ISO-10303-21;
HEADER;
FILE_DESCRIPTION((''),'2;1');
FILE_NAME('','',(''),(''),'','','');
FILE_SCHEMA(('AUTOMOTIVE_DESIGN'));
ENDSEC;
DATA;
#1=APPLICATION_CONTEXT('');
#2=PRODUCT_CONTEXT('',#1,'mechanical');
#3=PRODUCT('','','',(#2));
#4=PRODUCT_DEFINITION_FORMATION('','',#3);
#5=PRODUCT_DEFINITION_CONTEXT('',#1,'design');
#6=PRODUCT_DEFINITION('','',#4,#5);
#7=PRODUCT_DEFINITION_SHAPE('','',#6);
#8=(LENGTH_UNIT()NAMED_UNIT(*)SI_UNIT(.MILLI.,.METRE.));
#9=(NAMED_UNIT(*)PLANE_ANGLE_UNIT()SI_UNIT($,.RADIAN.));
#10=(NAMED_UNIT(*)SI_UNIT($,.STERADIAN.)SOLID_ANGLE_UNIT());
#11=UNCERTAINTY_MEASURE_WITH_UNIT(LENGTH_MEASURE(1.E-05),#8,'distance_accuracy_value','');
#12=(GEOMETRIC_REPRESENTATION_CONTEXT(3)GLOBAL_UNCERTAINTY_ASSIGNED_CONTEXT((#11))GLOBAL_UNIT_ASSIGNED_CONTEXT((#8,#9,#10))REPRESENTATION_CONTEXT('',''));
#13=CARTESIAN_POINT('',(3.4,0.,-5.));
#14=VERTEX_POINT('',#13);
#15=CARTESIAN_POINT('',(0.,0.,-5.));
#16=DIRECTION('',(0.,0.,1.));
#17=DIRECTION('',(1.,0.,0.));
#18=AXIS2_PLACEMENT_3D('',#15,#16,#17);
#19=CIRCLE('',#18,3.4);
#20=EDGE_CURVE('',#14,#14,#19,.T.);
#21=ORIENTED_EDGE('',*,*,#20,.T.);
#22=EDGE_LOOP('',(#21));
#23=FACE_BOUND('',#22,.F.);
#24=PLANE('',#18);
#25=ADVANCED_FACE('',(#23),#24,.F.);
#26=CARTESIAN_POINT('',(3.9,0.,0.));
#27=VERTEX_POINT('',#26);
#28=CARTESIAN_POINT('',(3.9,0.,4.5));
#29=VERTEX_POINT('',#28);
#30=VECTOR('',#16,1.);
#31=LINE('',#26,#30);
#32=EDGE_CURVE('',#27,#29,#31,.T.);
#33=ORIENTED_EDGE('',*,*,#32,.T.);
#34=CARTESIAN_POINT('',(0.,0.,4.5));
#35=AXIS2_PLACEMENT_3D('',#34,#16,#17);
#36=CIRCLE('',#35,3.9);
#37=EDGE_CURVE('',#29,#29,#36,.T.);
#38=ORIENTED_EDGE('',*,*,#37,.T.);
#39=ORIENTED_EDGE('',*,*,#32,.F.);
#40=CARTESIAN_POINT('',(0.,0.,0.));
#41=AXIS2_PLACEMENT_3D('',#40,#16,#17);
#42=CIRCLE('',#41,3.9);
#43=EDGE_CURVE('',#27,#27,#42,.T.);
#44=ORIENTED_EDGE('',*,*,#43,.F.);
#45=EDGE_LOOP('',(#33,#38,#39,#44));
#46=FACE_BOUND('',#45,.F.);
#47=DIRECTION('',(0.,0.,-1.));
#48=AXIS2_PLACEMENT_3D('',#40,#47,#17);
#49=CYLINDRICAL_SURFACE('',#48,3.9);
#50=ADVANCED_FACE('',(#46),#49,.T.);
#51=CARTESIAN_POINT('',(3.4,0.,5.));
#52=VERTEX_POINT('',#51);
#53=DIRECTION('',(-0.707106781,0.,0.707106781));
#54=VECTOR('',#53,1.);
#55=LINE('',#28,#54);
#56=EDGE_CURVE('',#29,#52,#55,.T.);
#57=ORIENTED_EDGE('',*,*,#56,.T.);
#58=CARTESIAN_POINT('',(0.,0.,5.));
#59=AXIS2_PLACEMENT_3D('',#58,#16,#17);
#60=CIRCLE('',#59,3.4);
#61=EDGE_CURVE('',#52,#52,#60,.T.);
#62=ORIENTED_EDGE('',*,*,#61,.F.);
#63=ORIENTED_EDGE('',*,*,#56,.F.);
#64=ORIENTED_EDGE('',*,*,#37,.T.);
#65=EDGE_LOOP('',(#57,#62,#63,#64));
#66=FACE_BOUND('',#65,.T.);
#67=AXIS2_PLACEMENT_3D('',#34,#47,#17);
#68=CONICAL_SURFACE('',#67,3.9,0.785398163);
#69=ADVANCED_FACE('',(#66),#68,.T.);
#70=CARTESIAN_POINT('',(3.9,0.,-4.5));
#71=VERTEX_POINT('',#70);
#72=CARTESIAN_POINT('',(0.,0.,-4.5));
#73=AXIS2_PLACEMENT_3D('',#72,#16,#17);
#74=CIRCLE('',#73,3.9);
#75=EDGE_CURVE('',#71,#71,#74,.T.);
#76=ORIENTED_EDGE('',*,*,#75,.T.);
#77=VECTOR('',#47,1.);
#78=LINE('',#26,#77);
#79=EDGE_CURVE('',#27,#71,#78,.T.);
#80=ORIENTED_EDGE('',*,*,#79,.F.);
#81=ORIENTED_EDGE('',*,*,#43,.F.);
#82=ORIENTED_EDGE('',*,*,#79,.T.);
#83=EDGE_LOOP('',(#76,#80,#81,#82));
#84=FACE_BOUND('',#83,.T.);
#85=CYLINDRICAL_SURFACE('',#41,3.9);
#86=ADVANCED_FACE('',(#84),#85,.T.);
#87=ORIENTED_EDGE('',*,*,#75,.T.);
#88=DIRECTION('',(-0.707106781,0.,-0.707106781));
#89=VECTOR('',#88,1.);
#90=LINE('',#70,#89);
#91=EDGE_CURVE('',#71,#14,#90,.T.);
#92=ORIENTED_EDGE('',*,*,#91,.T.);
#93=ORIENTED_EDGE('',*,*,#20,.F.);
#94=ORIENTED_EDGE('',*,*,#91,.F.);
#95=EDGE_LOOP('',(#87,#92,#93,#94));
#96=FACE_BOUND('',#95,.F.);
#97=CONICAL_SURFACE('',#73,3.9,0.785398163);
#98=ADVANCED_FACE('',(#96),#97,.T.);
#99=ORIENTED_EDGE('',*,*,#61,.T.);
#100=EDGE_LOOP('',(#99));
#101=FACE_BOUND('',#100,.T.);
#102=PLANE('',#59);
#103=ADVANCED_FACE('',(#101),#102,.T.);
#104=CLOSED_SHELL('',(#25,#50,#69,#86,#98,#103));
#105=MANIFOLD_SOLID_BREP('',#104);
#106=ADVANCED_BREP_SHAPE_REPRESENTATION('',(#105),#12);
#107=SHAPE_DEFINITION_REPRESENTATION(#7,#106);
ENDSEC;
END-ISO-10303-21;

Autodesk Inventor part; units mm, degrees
ref_plane "YZ Plane" through (0, 0, 0) normal (1, 0, 0) x (0, 1, 0)
ref_plane "XZ Plane" through (0, 0, 0) normal (0, 1, 0) x (-1, 0, 0)
ref_plane "XY Plane" through (0, 0, 0) normal (0, 0, 1) x (1, 0, 0)
sketch "Sketch1" plane through (0, 0, 0) normal (0, 0, 1) x (1, 0, 0)
  circle A0 centre (0, 0) radius 3.9
  dimension "d0" = 7.8
extrude "Extrusion1" add sketch "Sketch1" along normal mid plane 10
chamfer "Chamfer1" distance 0.5 angle 45 2 edges at (-3.9, 0, 5) (-3.9, 0, -5)
properties part number "FactionTray_Pin" material "ABS Plastic"
